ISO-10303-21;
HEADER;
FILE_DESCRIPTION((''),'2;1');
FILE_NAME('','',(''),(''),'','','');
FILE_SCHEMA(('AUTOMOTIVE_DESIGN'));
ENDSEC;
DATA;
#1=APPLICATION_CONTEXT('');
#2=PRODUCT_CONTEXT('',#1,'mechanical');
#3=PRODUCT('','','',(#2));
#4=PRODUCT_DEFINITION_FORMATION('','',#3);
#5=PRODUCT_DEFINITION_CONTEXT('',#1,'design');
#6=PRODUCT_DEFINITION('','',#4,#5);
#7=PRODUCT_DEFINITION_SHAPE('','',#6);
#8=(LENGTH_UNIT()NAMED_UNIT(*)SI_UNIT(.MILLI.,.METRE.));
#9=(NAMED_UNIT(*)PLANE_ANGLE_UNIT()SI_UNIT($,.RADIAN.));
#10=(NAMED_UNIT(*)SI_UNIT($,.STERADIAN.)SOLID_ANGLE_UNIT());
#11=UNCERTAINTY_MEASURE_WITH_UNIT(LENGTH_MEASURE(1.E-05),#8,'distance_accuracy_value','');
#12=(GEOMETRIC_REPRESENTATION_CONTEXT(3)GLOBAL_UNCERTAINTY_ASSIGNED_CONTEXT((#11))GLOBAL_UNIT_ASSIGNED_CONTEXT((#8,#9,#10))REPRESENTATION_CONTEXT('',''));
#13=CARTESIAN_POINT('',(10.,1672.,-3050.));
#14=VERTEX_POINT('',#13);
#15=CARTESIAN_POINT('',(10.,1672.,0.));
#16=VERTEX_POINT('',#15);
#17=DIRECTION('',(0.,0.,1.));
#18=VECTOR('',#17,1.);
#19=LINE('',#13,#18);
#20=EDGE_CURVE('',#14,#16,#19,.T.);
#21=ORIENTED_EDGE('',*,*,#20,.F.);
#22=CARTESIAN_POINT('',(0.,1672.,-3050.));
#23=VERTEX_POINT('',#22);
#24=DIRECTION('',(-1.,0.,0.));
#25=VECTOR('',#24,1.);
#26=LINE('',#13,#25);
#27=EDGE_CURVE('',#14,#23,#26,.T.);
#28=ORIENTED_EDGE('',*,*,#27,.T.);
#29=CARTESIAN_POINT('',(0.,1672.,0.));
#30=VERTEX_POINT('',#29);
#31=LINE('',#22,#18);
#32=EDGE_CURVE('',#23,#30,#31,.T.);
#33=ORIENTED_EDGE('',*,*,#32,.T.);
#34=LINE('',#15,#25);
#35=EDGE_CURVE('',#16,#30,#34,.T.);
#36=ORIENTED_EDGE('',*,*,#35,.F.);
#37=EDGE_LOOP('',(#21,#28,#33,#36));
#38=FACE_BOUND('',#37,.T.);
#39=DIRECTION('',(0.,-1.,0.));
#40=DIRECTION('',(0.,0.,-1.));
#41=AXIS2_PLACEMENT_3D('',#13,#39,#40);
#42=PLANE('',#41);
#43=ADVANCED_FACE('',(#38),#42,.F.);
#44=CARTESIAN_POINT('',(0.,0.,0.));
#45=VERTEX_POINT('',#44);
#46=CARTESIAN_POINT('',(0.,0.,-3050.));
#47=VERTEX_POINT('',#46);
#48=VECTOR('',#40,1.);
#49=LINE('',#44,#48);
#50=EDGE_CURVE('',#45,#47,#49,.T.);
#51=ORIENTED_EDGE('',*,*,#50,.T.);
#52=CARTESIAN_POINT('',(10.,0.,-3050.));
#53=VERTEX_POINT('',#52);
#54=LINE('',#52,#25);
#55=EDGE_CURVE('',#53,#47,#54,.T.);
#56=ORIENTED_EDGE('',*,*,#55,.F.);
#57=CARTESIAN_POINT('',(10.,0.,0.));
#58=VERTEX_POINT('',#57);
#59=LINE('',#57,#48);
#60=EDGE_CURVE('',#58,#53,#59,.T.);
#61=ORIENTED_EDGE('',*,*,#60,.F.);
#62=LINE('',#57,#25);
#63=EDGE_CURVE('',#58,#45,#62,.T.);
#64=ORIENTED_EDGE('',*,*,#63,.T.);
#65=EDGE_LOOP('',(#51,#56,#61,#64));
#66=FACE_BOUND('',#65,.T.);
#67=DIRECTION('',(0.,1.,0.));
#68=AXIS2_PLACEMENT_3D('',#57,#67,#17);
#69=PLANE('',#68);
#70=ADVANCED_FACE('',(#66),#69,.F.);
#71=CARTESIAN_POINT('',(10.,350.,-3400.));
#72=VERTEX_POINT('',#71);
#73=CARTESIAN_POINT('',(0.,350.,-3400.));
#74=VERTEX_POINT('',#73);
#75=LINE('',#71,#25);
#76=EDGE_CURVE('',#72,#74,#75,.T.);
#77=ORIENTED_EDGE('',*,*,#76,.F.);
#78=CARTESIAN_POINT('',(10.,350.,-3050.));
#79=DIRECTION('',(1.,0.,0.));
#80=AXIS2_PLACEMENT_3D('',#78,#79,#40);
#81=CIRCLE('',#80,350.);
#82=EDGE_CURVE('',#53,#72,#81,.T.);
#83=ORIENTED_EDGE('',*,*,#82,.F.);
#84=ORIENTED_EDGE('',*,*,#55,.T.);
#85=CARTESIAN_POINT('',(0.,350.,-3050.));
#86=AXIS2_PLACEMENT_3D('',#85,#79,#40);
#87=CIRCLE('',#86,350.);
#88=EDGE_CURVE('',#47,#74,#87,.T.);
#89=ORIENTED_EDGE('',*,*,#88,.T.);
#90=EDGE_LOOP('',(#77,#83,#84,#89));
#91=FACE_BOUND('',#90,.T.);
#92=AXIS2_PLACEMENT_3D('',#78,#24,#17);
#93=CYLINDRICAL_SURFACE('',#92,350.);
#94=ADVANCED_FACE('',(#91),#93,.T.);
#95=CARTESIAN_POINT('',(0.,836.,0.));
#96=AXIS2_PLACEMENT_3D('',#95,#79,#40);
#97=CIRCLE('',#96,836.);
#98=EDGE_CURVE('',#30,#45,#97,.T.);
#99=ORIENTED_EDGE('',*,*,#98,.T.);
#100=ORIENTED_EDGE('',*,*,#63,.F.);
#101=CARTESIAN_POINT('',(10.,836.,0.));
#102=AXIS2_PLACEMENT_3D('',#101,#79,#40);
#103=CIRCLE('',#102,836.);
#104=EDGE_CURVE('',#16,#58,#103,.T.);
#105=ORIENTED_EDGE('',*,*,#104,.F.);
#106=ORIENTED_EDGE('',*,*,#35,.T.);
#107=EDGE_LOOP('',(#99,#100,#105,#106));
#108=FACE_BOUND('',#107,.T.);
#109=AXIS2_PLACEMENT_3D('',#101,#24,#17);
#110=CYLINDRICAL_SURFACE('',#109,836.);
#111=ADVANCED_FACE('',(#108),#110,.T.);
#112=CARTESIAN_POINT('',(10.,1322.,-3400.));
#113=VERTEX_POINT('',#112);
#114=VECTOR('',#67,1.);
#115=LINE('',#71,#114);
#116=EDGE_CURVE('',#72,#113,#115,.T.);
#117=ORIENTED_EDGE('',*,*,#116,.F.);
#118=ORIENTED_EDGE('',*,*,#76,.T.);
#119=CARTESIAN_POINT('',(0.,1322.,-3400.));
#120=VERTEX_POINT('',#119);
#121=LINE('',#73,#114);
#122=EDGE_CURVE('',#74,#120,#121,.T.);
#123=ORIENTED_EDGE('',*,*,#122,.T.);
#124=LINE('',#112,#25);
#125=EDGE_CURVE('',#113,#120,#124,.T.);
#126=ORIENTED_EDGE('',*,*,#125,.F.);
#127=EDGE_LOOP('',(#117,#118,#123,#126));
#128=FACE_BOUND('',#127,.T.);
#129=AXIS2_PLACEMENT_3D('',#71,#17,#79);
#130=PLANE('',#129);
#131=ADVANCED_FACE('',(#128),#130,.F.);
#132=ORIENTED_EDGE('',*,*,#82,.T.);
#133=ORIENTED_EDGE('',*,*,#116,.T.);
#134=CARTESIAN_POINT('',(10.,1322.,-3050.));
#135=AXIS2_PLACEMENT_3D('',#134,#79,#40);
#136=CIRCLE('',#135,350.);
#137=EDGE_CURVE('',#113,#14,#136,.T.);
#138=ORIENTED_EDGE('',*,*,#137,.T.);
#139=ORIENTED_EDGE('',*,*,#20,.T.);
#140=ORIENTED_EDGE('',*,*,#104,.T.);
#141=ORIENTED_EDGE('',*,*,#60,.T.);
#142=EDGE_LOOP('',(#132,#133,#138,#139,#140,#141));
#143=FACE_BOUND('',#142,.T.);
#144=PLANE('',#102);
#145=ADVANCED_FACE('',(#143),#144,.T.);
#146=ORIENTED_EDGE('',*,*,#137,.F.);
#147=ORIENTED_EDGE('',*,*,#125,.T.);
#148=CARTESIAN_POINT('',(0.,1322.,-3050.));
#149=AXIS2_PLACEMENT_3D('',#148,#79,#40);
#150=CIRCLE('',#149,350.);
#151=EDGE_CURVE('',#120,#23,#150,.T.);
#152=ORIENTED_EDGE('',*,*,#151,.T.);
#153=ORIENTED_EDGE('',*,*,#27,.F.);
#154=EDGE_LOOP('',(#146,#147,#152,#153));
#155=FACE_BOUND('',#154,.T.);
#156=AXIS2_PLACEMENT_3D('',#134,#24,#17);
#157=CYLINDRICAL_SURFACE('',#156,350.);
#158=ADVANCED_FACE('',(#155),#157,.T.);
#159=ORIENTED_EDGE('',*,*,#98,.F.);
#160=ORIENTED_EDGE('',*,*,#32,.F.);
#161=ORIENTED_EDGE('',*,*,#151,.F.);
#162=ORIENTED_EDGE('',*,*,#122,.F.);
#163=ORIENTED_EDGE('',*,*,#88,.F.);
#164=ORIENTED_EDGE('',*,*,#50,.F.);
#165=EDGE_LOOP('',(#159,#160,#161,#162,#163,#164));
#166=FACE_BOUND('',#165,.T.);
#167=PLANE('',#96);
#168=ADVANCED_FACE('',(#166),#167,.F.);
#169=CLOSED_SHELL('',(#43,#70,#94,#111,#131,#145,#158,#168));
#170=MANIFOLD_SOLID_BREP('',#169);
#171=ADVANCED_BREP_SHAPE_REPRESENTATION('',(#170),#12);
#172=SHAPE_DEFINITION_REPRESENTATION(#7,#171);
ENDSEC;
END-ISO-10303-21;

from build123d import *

# Parameters (mm, degrees)
BOSS_EXTRUDE1_DEPTH = 10


with BuildPart() as part:
    # Sketch2 → Boss-Extrude1 (new body)
    with BuildSketch(Plane(origin=(0, 0, 0), x_dir=(0, 0, -1), z_dir=(1, 0, 0))):
        with BuildLine():
            Line((0, 0), (3050, 0))
            ThreePointArc((3050, 0), (3297.487373415, 102.512626585), (3400, 350))
            Line((3400, 350), (3400, 1322))
            ThreePointArc((3400, 1322), (3297.487373415, 1569.487373415), (3050, 1672))
            Line((3050, 1672), (0, 1672))
            ThreePointArc((0, 1672), (-836, 836), (0, 0))
        make_face()
    extrude(amount=BOSS_EXTRUDE1_DEPTH)


solid = part.part
